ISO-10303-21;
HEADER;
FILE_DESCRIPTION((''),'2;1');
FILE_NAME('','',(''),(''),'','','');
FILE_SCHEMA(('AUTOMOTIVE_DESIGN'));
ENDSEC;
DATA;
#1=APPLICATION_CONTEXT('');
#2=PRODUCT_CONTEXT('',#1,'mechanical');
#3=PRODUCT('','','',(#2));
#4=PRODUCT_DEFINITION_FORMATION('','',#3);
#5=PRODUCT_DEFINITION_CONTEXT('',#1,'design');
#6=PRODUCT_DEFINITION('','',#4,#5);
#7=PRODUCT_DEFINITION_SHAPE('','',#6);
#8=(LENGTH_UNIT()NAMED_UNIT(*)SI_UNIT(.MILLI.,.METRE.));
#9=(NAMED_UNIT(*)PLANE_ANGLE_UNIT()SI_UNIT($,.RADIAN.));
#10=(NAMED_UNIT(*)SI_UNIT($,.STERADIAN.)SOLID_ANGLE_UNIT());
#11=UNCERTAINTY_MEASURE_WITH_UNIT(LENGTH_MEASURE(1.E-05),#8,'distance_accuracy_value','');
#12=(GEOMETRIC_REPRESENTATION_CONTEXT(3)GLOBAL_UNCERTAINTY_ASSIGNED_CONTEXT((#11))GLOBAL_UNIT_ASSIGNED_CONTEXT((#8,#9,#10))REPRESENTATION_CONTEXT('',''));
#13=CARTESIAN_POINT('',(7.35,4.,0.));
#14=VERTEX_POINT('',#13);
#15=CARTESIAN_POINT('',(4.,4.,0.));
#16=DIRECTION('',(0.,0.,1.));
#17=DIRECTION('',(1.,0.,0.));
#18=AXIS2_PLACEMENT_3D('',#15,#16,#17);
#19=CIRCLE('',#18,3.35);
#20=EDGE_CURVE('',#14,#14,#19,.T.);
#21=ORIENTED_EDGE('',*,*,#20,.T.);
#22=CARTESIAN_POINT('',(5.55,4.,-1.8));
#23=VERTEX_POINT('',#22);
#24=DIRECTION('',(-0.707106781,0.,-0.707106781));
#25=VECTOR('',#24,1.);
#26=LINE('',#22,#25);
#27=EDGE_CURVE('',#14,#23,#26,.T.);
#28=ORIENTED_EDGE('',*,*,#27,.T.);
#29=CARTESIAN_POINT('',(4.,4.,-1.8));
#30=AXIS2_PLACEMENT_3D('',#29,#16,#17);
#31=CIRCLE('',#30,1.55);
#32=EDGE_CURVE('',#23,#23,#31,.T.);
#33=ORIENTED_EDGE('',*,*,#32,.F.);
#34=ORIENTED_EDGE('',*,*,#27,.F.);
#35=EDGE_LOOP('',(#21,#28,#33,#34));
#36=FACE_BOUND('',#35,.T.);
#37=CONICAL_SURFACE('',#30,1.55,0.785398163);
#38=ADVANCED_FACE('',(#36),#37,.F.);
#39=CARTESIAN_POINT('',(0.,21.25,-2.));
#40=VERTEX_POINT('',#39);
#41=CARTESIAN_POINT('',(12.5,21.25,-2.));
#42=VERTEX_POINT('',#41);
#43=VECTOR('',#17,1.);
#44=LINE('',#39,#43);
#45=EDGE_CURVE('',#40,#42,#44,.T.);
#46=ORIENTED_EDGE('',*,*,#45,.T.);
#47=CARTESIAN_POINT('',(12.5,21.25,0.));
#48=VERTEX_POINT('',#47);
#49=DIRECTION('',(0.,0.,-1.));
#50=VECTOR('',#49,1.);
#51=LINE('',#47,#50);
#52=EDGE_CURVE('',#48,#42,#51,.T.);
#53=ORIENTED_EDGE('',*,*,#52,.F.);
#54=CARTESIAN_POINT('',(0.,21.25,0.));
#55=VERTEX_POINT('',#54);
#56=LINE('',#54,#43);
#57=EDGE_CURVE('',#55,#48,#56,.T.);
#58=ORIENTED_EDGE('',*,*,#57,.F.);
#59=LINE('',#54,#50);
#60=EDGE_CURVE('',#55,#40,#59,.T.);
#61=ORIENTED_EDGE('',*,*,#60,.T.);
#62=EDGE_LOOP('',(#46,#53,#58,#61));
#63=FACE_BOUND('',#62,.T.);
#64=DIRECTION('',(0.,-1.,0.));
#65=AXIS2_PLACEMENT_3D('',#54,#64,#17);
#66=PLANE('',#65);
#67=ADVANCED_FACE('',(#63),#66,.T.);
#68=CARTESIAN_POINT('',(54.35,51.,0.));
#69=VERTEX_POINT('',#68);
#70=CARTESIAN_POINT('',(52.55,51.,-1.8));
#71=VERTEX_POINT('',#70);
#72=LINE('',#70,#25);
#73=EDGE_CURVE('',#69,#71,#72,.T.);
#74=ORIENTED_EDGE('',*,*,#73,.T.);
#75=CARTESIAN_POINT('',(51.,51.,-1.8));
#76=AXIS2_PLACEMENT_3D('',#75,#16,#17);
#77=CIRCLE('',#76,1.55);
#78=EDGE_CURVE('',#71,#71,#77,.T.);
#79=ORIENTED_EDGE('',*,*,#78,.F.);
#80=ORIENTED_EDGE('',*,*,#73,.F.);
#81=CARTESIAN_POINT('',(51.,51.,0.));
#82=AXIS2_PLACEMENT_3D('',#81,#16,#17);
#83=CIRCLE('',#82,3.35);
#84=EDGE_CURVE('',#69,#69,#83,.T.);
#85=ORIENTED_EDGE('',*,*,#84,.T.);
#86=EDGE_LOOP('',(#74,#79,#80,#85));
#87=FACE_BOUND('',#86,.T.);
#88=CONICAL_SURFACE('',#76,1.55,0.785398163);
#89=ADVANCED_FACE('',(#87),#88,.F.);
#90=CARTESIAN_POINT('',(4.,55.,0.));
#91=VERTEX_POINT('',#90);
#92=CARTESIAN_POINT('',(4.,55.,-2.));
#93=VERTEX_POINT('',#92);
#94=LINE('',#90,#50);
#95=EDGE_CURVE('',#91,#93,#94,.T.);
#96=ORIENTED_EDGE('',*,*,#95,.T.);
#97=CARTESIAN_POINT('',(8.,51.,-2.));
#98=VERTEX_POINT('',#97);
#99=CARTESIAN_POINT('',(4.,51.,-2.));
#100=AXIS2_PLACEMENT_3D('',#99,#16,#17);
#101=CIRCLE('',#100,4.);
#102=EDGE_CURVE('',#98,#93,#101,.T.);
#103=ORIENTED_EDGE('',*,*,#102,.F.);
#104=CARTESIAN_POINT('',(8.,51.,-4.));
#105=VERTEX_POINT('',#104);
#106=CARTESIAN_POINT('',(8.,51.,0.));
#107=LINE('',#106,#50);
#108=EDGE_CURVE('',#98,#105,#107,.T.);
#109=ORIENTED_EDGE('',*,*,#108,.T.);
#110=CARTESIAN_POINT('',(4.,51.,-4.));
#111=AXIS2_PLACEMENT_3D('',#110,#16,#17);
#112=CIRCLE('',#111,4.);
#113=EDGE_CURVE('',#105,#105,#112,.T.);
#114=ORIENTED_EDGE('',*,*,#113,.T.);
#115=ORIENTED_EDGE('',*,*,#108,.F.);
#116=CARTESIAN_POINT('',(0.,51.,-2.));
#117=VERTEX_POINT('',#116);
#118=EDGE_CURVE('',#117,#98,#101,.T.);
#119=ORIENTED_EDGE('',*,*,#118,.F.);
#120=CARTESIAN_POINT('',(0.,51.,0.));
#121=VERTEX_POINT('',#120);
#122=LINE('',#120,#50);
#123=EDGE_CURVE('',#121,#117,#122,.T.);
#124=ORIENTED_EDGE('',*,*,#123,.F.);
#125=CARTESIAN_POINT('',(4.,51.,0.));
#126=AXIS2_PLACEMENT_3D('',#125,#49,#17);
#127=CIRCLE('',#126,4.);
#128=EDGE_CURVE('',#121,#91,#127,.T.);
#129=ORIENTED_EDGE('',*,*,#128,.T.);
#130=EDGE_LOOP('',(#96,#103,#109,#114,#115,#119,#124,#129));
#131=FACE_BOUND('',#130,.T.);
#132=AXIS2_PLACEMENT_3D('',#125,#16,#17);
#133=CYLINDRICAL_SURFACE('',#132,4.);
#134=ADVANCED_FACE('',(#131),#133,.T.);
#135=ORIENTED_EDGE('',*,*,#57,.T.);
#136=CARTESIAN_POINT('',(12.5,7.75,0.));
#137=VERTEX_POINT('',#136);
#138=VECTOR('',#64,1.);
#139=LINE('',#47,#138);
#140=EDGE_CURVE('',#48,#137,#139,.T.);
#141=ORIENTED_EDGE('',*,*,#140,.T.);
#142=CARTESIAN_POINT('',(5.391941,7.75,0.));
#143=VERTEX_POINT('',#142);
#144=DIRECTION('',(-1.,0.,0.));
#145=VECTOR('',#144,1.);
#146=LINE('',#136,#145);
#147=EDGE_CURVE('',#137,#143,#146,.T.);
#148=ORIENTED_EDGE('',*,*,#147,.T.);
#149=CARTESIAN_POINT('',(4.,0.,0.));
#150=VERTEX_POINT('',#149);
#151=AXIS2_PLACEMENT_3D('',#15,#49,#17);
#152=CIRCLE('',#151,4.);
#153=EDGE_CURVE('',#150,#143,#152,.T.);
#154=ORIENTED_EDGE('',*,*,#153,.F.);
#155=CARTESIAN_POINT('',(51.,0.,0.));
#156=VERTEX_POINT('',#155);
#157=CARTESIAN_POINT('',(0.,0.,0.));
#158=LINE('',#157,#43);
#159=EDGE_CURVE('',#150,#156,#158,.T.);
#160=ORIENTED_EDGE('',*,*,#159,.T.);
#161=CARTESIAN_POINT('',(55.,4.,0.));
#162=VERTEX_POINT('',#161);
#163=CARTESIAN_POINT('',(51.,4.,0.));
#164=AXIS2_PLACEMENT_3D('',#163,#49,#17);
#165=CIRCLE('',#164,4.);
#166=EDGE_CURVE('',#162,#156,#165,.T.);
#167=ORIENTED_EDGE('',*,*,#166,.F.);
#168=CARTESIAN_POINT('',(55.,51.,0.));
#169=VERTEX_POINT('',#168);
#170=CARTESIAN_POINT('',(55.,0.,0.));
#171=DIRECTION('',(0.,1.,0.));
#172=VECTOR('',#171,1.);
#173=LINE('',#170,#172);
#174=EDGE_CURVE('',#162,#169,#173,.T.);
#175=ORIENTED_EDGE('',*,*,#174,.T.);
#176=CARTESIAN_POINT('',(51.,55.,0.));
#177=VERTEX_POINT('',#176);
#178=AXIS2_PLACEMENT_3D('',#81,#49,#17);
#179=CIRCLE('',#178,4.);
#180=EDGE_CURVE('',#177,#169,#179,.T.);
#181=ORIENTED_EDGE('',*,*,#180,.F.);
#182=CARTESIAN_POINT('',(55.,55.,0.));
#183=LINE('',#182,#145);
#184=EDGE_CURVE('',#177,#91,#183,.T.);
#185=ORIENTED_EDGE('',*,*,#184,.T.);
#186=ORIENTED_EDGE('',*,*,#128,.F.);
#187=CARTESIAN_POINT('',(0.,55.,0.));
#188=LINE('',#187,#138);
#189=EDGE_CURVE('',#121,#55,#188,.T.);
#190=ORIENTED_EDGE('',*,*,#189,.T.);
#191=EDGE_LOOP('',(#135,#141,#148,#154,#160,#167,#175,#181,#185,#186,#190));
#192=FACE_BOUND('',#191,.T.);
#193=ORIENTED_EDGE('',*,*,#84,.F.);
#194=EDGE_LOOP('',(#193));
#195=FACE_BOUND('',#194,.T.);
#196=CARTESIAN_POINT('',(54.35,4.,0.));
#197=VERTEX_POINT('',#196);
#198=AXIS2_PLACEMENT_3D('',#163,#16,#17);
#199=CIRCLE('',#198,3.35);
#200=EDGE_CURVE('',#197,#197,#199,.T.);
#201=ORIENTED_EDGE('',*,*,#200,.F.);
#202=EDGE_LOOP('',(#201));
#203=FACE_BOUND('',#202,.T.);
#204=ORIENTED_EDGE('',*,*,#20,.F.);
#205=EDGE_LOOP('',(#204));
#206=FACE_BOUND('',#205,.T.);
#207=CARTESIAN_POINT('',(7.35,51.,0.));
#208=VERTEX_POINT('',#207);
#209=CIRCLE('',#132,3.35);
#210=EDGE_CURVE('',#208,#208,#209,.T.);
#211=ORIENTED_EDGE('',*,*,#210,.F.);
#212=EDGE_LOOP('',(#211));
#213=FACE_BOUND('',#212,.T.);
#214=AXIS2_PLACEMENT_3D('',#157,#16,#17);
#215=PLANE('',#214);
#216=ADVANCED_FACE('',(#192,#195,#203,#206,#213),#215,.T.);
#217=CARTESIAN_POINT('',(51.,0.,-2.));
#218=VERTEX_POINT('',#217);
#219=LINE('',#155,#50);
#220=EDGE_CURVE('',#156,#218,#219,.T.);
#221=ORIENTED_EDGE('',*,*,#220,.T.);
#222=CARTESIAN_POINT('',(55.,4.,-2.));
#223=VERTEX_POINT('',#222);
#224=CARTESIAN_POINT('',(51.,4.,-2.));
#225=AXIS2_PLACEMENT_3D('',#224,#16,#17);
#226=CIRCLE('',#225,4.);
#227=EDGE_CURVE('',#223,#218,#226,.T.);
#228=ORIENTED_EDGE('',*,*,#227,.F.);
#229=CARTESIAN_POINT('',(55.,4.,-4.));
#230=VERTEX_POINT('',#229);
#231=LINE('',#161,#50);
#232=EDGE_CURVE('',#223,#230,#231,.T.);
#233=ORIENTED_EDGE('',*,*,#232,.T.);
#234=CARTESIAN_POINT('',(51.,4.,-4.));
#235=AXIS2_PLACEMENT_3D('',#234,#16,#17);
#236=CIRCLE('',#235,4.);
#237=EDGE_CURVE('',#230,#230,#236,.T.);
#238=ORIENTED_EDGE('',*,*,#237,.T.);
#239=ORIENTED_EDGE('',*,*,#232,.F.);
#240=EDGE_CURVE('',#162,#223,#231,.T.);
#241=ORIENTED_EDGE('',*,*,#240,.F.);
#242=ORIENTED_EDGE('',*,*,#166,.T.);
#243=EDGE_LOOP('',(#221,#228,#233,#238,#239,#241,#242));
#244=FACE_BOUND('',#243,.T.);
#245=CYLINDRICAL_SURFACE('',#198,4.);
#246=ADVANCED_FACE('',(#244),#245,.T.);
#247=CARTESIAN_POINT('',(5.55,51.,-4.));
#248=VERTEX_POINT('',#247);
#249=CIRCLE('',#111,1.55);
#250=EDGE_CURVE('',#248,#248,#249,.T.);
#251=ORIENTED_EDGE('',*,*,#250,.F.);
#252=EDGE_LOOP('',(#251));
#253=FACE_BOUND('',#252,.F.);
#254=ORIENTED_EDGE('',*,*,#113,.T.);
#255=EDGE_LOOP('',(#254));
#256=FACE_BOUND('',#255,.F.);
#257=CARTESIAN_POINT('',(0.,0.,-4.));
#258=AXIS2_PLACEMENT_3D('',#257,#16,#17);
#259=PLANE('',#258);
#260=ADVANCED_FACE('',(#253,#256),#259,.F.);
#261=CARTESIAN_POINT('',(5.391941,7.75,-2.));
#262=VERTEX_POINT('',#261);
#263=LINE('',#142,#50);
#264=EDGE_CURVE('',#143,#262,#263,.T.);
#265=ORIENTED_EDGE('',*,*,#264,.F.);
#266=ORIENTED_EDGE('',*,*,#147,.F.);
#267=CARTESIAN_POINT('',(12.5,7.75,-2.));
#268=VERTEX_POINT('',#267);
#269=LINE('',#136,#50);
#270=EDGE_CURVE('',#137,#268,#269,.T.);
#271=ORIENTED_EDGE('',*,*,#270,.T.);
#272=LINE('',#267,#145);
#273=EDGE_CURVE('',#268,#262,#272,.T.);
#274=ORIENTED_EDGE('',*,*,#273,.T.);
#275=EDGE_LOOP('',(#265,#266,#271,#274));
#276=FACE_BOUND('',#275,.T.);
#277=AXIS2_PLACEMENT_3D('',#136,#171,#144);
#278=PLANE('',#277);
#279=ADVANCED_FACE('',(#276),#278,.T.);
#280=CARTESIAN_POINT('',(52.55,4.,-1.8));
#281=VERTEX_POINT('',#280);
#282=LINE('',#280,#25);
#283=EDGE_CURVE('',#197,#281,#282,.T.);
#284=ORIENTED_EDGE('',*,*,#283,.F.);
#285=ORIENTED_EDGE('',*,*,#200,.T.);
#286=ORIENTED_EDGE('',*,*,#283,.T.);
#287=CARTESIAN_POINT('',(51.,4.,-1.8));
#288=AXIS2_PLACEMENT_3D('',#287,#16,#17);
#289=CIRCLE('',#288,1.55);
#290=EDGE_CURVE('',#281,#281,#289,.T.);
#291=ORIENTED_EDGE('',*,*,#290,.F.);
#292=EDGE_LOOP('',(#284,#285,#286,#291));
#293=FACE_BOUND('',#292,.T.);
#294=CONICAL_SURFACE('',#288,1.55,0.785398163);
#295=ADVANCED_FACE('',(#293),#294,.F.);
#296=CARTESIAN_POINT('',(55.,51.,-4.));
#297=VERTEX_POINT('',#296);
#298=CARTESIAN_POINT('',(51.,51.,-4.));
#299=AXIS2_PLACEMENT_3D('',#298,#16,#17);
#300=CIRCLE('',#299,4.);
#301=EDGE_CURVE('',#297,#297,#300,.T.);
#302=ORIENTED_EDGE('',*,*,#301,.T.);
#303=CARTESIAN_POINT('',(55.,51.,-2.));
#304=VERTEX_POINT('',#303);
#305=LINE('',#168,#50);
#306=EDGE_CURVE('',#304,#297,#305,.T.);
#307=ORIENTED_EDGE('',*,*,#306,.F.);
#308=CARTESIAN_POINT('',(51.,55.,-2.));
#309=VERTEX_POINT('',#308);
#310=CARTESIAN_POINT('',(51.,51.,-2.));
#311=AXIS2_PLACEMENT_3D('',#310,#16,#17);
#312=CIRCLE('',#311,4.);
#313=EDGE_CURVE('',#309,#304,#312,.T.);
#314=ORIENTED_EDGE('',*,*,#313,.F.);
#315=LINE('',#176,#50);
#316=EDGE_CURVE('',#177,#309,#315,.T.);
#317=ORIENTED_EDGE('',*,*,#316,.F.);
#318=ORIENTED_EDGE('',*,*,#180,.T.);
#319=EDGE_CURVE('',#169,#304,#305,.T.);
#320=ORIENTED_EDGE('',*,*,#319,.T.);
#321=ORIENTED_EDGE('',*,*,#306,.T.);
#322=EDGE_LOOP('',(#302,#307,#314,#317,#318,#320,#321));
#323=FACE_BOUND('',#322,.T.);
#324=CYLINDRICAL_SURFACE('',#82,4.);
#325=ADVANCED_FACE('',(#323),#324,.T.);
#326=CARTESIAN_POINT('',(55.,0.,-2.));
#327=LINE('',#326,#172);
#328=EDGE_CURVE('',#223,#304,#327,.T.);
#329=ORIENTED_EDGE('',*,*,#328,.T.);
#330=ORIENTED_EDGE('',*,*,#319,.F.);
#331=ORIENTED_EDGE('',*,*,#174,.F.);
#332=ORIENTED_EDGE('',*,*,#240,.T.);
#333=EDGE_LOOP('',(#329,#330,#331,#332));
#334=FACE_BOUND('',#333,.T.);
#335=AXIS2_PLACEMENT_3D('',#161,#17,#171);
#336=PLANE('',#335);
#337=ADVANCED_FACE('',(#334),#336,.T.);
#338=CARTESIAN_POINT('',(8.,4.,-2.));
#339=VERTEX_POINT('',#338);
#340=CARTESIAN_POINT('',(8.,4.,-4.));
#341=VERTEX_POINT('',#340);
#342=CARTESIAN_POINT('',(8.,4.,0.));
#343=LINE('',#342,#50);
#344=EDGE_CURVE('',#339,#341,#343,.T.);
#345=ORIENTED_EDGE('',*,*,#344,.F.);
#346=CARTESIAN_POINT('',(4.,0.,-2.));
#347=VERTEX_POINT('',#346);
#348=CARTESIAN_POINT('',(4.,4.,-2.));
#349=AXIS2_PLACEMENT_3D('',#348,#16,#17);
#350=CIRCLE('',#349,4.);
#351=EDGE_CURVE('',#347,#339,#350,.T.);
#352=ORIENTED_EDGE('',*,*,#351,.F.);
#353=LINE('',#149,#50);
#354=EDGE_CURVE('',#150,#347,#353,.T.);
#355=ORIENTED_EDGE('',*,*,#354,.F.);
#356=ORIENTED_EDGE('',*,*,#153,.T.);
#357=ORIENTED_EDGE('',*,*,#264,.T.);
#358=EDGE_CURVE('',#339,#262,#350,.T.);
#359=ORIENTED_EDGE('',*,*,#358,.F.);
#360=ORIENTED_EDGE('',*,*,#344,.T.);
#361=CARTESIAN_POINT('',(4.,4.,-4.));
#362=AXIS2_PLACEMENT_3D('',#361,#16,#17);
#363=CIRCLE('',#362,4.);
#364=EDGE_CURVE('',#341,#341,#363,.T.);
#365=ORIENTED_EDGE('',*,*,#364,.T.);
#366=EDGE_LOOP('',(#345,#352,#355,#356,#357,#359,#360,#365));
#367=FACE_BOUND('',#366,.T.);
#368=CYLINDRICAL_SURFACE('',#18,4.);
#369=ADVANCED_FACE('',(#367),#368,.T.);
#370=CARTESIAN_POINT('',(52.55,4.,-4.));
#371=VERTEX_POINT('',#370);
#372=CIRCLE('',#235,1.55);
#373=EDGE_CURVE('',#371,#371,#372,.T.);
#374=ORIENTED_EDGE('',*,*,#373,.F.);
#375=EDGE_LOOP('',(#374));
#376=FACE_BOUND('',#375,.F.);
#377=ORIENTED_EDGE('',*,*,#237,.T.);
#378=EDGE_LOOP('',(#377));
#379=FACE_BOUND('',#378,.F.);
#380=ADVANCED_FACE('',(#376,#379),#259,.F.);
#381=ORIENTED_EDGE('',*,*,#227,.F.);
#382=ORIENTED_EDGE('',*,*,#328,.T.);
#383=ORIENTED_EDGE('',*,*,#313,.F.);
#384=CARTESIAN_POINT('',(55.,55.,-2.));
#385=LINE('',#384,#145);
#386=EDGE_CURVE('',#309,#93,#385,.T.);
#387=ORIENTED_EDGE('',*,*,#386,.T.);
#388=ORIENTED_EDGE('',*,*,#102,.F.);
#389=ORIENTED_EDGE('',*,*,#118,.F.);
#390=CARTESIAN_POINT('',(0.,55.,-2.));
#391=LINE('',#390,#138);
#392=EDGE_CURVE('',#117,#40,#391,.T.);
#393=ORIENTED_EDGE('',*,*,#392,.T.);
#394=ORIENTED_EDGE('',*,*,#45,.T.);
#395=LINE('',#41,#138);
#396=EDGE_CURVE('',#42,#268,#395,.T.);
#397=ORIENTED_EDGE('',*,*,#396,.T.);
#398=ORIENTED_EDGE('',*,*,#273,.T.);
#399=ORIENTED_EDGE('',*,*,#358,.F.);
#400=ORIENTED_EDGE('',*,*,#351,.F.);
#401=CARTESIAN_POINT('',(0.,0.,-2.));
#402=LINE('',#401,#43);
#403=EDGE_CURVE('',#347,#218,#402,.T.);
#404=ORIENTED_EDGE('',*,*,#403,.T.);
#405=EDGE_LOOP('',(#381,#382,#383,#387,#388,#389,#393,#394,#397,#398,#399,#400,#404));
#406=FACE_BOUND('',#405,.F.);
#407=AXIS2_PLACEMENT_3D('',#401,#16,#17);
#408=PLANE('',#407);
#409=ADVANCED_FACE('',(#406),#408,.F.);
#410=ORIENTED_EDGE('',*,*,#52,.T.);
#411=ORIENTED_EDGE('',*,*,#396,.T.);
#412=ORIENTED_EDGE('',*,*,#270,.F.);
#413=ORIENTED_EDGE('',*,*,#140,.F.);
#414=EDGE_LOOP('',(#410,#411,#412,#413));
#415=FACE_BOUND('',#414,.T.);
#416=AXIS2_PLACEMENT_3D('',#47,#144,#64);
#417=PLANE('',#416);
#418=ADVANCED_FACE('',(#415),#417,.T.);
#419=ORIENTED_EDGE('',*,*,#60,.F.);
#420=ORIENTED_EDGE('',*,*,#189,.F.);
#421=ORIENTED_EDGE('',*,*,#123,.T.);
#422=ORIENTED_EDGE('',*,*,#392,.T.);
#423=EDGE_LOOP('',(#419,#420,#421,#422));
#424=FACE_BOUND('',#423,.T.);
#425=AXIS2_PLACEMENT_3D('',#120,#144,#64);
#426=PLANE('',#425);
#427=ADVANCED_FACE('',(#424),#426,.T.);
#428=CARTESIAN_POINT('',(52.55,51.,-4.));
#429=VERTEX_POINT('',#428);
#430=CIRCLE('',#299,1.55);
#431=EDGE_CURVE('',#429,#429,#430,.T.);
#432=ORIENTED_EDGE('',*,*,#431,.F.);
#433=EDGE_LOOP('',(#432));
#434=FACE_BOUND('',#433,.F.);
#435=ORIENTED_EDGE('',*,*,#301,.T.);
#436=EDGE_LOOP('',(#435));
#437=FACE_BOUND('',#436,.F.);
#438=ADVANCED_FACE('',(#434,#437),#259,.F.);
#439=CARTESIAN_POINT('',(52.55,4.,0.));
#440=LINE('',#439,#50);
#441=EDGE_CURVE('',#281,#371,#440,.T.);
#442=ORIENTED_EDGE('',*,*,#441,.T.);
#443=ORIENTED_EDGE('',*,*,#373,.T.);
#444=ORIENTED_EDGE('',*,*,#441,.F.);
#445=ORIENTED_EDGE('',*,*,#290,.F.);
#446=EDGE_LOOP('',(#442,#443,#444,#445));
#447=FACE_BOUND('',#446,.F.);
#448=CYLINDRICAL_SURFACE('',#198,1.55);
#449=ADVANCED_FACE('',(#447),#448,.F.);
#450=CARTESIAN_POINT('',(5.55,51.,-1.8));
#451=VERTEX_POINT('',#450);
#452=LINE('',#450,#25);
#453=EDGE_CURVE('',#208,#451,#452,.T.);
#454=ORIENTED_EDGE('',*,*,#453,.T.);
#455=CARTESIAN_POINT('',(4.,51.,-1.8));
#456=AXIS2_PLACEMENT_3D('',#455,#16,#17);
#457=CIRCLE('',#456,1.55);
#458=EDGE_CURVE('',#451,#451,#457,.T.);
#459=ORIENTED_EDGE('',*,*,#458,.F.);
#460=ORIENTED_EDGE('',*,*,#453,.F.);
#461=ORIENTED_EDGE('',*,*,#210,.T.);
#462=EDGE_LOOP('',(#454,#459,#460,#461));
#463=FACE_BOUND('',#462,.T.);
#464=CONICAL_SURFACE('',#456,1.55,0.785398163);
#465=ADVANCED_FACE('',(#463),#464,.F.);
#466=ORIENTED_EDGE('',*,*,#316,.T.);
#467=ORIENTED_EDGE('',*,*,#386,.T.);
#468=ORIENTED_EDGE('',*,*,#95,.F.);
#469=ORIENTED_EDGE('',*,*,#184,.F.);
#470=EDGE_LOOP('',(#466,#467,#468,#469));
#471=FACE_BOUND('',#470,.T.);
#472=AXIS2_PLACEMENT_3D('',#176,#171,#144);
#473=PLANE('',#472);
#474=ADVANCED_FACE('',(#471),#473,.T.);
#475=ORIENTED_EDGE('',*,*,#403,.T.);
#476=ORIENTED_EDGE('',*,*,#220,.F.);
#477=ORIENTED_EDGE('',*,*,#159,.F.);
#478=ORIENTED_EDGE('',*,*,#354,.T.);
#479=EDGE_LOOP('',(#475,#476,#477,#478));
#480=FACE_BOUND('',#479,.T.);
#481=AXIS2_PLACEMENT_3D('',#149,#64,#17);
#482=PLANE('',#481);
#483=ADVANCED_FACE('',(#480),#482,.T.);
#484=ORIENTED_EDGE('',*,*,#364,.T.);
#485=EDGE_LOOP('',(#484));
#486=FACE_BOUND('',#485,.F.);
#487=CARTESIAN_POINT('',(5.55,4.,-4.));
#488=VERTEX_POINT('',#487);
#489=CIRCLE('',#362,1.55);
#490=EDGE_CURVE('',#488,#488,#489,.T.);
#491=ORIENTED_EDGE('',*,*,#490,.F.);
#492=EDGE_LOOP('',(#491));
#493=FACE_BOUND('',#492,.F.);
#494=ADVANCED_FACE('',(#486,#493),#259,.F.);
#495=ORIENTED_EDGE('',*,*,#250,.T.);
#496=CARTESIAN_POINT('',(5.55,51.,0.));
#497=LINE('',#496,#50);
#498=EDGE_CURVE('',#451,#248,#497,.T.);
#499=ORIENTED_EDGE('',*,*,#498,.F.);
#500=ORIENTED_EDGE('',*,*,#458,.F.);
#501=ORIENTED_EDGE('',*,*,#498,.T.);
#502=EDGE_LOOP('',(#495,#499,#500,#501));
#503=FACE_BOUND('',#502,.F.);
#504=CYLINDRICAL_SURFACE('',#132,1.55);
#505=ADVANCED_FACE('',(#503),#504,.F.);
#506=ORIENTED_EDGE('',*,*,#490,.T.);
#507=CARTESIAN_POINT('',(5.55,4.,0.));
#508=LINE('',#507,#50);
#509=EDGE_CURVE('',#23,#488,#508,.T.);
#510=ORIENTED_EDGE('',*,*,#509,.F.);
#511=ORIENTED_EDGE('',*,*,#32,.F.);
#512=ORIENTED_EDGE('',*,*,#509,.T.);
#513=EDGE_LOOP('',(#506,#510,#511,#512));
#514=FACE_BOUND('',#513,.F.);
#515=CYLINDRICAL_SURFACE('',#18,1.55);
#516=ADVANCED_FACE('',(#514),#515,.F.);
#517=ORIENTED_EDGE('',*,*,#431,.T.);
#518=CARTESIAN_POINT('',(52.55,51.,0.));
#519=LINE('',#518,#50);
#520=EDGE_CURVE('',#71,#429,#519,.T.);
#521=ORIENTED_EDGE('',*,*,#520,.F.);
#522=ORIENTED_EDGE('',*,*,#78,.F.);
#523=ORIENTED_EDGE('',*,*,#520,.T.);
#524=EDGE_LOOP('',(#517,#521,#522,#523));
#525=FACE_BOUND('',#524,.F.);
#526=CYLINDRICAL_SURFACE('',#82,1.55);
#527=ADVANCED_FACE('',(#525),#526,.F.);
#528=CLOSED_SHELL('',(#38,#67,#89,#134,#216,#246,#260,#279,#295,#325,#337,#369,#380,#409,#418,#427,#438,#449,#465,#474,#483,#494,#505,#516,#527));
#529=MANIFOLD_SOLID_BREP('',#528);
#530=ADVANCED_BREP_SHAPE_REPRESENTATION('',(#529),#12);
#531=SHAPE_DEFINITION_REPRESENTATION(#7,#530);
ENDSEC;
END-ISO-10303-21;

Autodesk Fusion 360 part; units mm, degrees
sketch "Sketch1" plane through (0, 0, 0) normal (0, 0, 1) x (1, 0, 0)
  line L0 (0, 0) -> (55, 0)
  line L1 (55, 0) -> (55, 55)
  line L2 (55, 55) -> (0, 55)
  line L3 (0, 55) -> (0, 0)
  circle A0 centre (4, 51) radius 4
  circle A1 centre (51, 51) radius 4
  circle A2 centre (4, 4) radius 4
  circle A3 centre (51, 4) radius 4
  circle A4 centre (4, 51) radius 1.55
  circle A5 centre (51, 51) radius 1.55
  circle A6 centre (4, 4) radius 1.55
  circle A7 centre (51, 4) radius 1.55
  line L4 (0, 21.25) -> (12.5, 21.25)
  line L5 (12.5, 21.25) -> (12.5, 7.75)
  line L6 (12.5, 7.75) -> (0, 7.75)
  line L7 (0, 7.75) -> (0, 21.25)
  dimension "d1" = 55
  dimension "d2" = 55
  dimension "d3" = 8
  dimension "d4" = 8
  dimension "d5" = 8
  dimension "d6" = 8
  dimension "d7" = 4
  dimension "d8" = 4
  dimension "d9" = 4
  dimension "d10" = 4
  dimension "d11" = 4
  dimension "d12" = 4
  dimension "d13" = 4
  dimension "d14" = 4
  dimension "d15" = 3.1
  dimension "d16" = 3.1
  dimension "d17" = 3.1
  dimension "d18" = 3.1
  dimension "d24" = 12.5
  dimension "d25" = 13.5
  dimension "d26" = 7.75
extrude "Extrude3" add sketch "Sketch1" against normal blind 2 contours L0 L1 L2 L3 A0 A1 A2 A3 L4 L5 L6
extrude "Extrude4" add sketch "Sketch1" against normal blind 4 contours A2 L6 | A3 | A2 L6 | A1 | A0
chamfer "Chamfer2" distance 1.8 angle 45 4 edges at (2.5549, 51.5605, 0) (49.5549, 51.5605, 0) (49.5549, 4.5605, 0) (2.5549, 4.5605, 0)
